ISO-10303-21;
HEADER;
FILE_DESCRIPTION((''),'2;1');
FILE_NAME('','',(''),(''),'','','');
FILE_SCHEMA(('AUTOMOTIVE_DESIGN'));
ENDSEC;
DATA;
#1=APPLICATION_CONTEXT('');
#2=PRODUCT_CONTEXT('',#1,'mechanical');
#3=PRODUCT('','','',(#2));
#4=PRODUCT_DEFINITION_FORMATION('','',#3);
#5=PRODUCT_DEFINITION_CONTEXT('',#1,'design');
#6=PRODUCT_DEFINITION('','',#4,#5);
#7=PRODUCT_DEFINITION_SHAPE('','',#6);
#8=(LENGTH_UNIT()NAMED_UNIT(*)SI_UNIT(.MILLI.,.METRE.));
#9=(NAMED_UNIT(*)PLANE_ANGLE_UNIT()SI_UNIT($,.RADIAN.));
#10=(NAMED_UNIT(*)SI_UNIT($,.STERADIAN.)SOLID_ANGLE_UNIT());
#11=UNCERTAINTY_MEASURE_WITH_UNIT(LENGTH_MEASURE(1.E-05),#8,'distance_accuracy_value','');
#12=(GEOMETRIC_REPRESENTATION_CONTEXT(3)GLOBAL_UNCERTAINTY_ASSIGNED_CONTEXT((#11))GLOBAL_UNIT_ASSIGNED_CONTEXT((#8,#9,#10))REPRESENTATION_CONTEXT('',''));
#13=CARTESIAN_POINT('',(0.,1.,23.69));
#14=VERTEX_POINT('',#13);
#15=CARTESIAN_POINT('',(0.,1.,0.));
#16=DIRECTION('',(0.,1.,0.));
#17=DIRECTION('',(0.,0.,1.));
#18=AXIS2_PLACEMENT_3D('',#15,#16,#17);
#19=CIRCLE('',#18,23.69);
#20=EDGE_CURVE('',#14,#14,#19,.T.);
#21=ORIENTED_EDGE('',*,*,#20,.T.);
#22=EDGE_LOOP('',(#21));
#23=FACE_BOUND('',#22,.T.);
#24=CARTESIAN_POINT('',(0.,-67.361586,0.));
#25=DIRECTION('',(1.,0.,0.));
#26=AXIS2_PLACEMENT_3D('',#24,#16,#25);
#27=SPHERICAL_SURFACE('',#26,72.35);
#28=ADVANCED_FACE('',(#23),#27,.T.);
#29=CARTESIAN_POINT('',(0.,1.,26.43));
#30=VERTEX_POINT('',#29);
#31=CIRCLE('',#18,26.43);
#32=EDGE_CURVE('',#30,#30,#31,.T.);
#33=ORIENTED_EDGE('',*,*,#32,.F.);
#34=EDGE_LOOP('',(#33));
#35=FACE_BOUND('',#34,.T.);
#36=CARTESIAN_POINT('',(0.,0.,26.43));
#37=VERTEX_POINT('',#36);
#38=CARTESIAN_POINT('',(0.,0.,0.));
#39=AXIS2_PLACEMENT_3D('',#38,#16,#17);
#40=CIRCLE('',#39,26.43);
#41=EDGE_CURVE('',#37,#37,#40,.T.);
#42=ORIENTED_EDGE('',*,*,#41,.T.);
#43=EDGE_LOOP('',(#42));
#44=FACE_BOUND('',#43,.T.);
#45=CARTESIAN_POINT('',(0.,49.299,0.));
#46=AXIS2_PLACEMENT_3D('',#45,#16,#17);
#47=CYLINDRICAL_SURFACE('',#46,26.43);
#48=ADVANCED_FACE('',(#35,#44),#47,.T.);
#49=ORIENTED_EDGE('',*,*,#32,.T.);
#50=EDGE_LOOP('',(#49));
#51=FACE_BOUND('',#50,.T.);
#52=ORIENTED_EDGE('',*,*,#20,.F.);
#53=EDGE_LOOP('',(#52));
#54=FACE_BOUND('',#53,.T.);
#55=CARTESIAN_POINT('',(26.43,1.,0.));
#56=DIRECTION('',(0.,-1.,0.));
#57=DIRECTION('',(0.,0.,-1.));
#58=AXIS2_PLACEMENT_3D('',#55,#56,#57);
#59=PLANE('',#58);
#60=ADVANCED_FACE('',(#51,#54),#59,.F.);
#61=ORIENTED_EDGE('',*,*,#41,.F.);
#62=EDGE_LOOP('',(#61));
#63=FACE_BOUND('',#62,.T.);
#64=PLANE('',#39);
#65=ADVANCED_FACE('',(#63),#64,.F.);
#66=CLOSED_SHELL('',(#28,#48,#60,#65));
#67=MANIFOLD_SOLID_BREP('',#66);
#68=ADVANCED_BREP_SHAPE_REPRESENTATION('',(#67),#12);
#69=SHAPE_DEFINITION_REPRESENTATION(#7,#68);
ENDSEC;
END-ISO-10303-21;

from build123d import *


with BuildPart() as part:
    # Sketch2 → Revolve1 (revolve)
    with BuildSketch(Plane.XY):
        with BuildLine():
            Line((26.43, 1), (23.69, 1))
            ThreePointArc((23.69, 1), (12.011697929, 3.984343492), (0, 4.988414296))
            Line((0, 4.988414296), (0, 0))
            Line((0, 0), (26.43, 0))
            Line((26.43, 0), (26.43, 1))
        make_face()
    revolve(axis=Axis((0, 49.298999736, 0), (0, -1, 0)))


solid = part.part
